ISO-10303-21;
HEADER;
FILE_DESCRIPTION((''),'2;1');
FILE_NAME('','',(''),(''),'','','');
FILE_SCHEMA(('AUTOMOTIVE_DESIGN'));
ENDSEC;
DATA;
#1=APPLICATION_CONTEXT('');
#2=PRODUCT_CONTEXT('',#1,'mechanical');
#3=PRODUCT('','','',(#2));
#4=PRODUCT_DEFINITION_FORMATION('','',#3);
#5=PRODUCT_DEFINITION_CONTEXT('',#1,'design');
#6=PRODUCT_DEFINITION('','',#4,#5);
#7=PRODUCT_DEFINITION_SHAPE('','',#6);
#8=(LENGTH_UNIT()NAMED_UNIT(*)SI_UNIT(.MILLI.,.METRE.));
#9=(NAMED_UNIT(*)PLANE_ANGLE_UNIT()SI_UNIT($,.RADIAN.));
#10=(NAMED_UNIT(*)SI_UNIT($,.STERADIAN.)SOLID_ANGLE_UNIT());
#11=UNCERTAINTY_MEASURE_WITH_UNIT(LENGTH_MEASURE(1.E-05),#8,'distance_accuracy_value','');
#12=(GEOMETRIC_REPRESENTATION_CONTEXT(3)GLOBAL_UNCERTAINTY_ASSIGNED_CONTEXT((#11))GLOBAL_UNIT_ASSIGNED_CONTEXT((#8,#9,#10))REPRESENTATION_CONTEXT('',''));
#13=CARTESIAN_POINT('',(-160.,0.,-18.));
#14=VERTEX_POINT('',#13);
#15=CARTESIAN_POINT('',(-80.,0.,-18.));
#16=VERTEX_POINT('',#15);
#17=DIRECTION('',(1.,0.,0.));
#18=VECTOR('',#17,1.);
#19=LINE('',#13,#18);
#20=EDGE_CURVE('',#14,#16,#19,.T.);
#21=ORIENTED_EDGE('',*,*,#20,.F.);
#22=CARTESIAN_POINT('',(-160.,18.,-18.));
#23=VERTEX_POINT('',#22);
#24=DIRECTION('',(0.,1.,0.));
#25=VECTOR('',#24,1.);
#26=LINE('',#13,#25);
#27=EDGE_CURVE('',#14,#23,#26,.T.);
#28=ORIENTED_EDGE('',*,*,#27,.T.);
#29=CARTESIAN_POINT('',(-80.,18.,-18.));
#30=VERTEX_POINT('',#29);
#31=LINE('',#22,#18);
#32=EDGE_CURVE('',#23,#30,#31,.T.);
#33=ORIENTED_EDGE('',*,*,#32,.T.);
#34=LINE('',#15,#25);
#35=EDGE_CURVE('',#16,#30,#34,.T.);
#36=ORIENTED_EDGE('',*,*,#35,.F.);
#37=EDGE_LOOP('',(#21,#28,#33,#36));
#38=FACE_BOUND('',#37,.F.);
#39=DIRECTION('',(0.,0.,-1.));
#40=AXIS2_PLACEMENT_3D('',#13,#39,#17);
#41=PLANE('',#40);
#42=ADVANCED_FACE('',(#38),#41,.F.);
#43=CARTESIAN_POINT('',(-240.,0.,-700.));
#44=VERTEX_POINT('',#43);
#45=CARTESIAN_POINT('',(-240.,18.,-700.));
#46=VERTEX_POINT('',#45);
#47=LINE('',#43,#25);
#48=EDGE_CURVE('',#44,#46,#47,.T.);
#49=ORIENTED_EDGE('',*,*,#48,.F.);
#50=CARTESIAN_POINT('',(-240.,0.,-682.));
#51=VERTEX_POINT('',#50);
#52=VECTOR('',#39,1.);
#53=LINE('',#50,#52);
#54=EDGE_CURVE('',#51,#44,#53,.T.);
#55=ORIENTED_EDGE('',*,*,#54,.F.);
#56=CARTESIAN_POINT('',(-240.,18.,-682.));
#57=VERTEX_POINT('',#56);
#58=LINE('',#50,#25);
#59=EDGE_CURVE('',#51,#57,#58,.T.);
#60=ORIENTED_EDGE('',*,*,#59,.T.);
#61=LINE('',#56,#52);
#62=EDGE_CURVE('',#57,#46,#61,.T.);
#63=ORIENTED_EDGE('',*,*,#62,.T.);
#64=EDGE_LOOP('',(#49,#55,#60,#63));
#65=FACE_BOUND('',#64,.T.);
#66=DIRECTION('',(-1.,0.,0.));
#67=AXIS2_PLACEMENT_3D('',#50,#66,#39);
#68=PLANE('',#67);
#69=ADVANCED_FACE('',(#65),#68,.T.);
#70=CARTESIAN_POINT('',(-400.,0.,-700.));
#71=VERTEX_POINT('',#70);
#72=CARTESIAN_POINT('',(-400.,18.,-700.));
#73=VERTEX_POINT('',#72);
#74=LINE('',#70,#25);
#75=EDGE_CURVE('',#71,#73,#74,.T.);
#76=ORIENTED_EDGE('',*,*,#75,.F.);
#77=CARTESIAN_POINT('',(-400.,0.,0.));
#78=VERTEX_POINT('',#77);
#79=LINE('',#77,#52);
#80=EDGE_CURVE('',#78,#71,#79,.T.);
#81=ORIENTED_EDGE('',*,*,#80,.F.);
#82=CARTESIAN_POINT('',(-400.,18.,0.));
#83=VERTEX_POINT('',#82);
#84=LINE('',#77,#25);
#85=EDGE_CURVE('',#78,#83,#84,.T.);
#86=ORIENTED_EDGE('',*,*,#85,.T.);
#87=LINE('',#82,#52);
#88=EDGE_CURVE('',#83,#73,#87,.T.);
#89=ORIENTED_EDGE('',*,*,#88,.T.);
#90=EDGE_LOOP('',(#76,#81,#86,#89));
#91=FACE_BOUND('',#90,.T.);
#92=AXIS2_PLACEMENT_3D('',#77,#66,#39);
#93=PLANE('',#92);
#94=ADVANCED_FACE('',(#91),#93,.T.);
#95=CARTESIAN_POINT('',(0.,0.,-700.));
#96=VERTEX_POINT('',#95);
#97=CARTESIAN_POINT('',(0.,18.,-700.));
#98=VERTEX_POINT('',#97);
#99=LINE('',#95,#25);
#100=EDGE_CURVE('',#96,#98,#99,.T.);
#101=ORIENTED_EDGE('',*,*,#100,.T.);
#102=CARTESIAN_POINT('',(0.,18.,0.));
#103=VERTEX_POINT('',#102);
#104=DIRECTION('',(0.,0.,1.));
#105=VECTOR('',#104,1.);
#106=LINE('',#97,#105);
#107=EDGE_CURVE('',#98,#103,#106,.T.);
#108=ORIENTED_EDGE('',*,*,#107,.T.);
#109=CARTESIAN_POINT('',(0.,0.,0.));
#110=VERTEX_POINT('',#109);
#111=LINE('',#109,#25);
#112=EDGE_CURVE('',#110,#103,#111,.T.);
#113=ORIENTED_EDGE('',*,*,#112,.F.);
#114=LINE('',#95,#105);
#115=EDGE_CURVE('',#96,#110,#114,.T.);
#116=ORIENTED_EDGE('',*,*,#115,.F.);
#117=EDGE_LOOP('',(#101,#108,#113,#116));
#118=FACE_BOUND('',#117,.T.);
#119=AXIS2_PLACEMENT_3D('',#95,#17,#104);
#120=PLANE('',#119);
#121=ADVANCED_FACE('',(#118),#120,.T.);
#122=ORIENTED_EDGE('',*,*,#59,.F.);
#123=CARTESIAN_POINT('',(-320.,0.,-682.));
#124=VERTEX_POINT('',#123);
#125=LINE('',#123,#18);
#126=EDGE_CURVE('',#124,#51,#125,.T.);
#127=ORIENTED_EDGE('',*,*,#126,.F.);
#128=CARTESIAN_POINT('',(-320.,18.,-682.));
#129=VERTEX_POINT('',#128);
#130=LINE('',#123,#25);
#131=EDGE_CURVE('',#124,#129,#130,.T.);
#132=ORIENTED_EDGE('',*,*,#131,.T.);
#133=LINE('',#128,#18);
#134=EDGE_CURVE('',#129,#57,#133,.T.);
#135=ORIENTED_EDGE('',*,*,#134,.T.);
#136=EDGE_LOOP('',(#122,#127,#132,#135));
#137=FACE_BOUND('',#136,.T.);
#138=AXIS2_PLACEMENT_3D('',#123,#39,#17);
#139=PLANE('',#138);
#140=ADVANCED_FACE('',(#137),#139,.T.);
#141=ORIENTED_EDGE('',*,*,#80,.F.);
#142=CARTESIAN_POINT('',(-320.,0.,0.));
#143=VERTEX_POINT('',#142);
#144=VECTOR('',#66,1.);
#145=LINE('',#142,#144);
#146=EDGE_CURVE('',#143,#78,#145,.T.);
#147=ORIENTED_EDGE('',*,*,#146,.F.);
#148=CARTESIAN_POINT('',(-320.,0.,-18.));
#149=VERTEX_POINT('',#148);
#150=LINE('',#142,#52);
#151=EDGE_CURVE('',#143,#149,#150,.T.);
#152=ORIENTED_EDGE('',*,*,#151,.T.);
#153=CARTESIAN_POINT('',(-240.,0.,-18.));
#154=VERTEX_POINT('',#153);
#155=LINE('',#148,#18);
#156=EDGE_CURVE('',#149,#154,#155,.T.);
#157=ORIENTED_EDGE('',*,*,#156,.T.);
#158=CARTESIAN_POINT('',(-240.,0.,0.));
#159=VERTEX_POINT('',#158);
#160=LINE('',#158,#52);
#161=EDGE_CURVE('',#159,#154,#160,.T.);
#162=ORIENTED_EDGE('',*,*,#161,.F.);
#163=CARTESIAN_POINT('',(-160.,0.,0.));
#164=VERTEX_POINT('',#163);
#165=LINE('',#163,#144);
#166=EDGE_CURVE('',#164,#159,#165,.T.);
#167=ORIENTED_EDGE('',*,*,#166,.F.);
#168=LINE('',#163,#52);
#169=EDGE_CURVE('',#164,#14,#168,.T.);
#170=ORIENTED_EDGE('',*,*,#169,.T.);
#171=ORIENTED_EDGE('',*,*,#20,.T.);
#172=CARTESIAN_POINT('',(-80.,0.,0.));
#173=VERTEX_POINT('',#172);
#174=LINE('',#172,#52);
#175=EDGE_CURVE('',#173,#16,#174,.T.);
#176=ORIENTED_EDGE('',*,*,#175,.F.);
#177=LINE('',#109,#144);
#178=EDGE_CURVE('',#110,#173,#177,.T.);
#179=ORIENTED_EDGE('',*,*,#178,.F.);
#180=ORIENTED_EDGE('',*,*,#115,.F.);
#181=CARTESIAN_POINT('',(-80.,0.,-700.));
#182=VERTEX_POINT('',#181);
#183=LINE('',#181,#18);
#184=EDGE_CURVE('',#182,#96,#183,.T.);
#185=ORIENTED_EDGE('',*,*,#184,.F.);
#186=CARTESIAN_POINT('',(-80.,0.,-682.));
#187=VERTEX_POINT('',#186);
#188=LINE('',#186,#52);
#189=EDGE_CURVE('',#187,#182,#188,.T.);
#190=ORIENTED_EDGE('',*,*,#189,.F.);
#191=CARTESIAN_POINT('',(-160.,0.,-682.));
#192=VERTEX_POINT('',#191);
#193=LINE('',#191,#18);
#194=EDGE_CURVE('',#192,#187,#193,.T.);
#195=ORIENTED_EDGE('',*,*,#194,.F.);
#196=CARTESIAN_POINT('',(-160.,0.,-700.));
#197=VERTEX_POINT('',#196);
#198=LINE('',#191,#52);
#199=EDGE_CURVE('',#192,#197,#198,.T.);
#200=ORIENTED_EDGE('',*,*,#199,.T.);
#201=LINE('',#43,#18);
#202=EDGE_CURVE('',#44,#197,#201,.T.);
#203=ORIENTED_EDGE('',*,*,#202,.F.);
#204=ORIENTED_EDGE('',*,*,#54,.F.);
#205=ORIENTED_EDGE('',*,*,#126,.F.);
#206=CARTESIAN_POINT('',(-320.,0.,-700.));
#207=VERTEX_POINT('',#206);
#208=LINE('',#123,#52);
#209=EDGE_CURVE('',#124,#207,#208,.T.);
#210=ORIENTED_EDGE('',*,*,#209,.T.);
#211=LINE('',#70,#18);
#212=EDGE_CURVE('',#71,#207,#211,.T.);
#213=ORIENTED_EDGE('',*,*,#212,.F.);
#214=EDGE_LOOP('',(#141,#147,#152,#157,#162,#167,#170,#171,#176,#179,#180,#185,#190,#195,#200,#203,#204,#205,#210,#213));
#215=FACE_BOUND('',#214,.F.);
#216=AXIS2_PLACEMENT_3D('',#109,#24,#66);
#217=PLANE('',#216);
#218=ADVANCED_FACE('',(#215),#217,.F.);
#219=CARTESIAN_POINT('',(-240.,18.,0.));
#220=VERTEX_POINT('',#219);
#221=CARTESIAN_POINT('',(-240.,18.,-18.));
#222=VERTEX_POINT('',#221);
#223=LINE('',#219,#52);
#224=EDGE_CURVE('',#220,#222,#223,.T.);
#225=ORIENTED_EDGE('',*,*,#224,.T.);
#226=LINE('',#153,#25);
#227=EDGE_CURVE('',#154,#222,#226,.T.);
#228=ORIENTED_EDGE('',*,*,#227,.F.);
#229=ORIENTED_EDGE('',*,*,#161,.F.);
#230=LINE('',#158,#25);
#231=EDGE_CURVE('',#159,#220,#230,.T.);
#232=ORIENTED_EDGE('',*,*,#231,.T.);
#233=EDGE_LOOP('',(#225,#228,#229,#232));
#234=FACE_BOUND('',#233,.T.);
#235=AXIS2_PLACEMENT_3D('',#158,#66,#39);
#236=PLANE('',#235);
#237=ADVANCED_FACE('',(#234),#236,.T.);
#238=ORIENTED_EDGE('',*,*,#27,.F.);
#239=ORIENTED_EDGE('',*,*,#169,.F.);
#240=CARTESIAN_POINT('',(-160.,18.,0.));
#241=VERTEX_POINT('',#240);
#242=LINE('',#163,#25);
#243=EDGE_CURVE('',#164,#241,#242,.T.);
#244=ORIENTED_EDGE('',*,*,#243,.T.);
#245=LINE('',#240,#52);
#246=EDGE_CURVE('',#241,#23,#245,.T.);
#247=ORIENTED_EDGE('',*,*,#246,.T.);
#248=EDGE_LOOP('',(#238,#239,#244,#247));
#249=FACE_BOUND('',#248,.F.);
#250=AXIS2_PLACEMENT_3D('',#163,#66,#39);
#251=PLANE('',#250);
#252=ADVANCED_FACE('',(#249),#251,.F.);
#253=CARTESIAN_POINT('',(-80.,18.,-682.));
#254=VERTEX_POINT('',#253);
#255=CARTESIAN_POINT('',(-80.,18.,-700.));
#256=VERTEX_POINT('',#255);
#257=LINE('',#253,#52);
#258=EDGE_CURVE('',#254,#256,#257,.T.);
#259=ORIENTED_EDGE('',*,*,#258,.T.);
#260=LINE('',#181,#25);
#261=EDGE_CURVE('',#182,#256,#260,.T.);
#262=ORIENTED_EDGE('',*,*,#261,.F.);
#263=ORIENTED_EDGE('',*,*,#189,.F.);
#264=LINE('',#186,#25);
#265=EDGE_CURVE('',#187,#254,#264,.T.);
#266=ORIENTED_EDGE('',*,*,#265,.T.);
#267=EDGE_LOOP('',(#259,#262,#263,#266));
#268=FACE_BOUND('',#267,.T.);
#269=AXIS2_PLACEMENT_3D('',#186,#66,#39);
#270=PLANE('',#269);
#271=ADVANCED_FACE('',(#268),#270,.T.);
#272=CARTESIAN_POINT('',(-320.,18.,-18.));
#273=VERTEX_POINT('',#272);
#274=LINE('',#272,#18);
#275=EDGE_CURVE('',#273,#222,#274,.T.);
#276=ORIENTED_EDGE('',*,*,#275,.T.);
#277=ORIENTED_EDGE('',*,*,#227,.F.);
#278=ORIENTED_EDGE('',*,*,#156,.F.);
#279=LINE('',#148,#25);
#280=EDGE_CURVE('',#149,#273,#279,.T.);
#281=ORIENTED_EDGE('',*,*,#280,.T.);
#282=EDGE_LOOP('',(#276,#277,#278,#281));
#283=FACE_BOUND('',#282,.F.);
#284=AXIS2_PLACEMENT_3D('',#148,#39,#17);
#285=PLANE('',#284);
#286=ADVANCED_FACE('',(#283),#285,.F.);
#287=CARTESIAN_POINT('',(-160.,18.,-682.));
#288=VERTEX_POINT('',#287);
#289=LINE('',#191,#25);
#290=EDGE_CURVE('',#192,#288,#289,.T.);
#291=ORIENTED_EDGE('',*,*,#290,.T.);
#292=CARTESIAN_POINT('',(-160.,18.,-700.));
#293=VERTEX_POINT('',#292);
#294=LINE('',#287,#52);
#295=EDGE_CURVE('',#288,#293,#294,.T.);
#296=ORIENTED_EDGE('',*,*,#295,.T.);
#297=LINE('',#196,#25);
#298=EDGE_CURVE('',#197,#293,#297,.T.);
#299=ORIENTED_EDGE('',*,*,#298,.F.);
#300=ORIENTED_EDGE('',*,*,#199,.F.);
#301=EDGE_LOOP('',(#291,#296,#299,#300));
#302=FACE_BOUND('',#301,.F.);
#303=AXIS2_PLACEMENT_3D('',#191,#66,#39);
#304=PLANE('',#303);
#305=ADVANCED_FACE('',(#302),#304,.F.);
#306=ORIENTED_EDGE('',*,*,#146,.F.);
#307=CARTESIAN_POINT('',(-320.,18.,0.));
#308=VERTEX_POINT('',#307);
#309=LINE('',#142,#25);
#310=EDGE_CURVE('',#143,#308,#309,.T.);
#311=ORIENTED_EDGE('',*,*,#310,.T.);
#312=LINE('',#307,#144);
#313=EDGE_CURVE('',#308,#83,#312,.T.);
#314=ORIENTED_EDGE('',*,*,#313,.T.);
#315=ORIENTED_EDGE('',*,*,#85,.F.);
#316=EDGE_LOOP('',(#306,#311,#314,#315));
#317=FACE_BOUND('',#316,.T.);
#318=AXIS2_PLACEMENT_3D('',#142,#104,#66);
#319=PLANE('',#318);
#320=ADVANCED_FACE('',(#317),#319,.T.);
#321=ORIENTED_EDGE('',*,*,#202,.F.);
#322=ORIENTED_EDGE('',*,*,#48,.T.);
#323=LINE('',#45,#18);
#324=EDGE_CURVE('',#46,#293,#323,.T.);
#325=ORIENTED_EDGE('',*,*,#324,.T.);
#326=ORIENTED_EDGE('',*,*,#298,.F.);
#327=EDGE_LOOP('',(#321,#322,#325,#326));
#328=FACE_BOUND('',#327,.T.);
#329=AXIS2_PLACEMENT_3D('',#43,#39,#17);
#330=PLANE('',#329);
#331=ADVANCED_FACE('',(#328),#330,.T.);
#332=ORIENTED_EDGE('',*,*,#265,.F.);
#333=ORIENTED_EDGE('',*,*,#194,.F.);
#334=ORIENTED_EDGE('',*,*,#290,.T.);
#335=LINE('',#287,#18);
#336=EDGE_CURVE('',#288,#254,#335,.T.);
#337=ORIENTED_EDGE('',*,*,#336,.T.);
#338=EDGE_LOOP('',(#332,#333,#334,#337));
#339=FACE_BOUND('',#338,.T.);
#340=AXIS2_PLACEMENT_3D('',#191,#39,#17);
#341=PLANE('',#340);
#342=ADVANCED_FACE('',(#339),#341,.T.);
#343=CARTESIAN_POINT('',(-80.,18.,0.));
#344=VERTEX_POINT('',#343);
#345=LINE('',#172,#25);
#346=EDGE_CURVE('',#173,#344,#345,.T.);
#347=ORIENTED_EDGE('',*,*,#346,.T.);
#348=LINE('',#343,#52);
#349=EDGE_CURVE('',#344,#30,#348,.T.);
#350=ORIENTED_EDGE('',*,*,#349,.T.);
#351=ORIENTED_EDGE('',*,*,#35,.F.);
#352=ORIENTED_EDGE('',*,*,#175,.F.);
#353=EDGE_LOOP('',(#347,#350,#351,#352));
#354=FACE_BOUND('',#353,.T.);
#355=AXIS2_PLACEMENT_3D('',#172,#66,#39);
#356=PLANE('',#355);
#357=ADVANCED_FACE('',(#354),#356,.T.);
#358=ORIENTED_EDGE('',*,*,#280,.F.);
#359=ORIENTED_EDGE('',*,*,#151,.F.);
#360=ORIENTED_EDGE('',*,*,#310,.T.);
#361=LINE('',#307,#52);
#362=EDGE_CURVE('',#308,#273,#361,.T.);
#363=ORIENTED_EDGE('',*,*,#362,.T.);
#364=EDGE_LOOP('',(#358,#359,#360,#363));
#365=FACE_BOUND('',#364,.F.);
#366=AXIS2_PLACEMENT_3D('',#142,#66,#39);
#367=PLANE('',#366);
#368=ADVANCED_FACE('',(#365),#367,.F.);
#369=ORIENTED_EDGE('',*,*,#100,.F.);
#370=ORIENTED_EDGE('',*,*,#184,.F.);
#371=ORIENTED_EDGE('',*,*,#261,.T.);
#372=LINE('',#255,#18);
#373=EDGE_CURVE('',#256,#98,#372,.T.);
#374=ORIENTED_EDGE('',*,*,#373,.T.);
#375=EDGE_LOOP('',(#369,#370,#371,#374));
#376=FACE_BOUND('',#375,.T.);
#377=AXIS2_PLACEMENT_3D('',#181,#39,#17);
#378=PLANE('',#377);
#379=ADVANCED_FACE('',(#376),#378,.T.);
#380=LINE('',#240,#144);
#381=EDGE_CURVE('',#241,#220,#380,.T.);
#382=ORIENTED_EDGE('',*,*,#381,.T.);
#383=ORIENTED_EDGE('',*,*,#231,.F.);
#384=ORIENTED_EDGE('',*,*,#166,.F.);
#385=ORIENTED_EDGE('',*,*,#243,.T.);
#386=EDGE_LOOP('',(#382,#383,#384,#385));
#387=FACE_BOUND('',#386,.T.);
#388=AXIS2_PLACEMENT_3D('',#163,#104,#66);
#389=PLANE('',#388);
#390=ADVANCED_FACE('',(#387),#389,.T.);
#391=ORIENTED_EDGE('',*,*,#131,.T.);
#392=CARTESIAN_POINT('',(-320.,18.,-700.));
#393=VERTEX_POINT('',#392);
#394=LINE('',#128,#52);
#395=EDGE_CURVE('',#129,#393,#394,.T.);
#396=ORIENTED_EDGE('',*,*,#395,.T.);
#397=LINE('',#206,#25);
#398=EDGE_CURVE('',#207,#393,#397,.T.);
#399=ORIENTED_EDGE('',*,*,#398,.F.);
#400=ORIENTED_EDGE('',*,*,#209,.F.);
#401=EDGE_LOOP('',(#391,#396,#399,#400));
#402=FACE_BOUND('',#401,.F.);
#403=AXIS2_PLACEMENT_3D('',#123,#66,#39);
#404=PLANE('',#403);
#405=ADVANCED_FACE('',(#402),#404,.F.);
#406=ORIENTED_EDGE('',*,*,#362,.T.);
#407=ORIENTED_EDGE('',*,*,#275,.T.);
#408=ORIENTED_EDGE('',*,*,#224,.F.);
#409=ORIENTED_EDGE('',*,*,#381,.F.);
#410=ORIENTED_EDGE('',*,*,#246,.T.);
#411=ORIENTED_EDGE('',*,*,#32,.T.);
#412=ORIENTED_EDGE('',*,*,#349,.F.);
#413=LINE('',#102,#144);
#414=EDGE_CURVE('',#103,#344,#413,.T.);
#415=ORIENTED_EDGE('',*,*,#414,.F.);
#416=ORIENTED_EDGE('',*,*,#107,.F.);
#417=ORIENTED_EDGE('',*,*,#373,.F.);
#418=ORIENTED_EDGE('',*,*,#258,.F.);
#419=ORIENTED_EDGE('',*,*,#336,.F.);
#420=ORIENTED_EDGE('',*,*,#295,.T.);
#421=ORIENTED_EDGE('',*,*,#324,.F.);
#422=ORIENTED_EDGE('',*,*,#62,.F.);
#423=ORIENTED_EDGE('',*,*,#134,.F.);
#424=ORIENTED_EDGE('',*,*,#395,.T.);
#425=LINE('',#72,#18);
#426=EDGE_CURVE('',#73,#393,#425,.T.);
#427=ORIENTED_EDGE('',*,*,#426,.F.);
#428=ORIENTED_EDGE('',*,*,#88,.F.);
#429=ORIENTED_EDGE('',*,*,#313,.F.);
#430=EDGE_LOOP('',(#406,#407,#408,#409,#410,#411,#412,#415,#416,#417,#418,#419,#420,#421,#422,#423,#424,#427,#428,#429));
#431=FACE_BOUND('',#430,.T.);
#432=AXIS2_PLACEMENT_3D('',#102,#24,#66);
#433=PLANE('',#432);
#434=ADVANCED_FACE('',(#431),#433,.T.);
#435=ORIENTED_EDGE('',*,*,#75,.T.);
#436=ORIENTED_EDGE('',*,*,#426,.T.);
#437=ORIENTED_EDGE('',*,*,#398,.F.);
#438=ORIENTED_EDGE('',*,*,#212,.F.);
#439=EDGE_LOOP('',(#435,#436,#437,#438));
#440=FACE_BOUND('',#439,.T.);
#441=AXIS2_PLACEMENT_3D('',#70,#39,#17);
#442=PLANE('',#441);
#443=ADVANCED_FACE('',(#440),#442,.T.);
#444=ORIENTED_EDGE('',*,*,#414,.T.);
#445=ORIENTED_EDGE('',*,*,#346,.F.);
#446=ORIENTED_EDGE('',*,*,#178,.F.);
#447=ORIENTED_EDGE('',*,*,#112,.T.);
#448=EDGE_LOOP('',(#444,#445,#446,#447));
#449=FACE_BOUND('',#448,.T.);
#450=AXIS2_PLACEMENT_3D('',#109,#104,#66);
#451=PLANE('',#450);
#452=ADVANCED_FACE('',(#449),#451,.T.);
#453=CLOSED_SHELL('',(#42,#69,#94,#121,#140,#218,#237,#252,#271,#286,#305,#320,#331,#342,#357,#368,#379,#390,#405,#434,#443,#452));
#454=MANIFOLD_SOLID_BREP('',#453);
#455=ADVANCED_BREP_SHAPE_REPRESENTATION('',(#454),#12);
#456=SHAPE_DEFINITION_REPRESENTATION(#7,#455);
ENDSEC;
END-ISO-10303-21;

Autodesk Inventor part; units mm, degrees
ref_plane "YZ Plane" through (0, 0, 0) normal (1, 0, 0) x (0, 1, 0)
ref_plane "XZ Plane" through (0, 0, 0) normal (0, 1, 0) x (-1, 0, 0)
ref_plane "XY Plane" through (0, 0, 0) normal (0, 0, 1) x (1, 0, 0)
sketch "Sketch1" plane through (0, 0, 0) normal (0, 1, 0) x (-1, 0, 0)
  line L0 (400, 0) -> (400, -700)
  line L1 (0, -700) -> (0, 0)
  line L2 (320, -682) -> (320, -700)
  line L3 (240, -682) -> (240, -700)
  line L4 (160, -682) -> (160, -700)
  line L5 (320, 0) -> (320, -18)
  line L6 (240, 0) -> (240, -18)
  line L7 (160, 0) -> (160, -18)
  line L8 (80, 0) -> (80, -18)
  line L9 (80, -682) -> (80, -700)
  line L10 (320, -682) -> (240, -682)
  line L11 (160, -682) -> (80, -682)
  line L12 (80, -700) -> (0, -700)
  line L13 (400, -700) -> (320, -700)
  line L14 (240, -700) -> (160, -700)
  line L15 (320, -18) -> (240, -18)
  line L16 (160, -18) -> (80, -18)
  line L17 (0, 0) -> (80, 0)
  line L18 (160, 0) -> (240, 0)
  line L19 (320, 0) -> (400, 0)
  dimension "d60" = 700
  dimension "d61" = 400
  dimension "d64" = 80
  dimension "d65" = 80
  dimension "d66" = 80
  dimension "d67" = 80
  dimension "d69" = 80
  dimension "d70" = 80
  dimension "d71" = 80
  dimension "d72" = 18
extrude "Extrusion1" add sketch "Sketch1" along normal blind 18
properties part number "tapa supp"
